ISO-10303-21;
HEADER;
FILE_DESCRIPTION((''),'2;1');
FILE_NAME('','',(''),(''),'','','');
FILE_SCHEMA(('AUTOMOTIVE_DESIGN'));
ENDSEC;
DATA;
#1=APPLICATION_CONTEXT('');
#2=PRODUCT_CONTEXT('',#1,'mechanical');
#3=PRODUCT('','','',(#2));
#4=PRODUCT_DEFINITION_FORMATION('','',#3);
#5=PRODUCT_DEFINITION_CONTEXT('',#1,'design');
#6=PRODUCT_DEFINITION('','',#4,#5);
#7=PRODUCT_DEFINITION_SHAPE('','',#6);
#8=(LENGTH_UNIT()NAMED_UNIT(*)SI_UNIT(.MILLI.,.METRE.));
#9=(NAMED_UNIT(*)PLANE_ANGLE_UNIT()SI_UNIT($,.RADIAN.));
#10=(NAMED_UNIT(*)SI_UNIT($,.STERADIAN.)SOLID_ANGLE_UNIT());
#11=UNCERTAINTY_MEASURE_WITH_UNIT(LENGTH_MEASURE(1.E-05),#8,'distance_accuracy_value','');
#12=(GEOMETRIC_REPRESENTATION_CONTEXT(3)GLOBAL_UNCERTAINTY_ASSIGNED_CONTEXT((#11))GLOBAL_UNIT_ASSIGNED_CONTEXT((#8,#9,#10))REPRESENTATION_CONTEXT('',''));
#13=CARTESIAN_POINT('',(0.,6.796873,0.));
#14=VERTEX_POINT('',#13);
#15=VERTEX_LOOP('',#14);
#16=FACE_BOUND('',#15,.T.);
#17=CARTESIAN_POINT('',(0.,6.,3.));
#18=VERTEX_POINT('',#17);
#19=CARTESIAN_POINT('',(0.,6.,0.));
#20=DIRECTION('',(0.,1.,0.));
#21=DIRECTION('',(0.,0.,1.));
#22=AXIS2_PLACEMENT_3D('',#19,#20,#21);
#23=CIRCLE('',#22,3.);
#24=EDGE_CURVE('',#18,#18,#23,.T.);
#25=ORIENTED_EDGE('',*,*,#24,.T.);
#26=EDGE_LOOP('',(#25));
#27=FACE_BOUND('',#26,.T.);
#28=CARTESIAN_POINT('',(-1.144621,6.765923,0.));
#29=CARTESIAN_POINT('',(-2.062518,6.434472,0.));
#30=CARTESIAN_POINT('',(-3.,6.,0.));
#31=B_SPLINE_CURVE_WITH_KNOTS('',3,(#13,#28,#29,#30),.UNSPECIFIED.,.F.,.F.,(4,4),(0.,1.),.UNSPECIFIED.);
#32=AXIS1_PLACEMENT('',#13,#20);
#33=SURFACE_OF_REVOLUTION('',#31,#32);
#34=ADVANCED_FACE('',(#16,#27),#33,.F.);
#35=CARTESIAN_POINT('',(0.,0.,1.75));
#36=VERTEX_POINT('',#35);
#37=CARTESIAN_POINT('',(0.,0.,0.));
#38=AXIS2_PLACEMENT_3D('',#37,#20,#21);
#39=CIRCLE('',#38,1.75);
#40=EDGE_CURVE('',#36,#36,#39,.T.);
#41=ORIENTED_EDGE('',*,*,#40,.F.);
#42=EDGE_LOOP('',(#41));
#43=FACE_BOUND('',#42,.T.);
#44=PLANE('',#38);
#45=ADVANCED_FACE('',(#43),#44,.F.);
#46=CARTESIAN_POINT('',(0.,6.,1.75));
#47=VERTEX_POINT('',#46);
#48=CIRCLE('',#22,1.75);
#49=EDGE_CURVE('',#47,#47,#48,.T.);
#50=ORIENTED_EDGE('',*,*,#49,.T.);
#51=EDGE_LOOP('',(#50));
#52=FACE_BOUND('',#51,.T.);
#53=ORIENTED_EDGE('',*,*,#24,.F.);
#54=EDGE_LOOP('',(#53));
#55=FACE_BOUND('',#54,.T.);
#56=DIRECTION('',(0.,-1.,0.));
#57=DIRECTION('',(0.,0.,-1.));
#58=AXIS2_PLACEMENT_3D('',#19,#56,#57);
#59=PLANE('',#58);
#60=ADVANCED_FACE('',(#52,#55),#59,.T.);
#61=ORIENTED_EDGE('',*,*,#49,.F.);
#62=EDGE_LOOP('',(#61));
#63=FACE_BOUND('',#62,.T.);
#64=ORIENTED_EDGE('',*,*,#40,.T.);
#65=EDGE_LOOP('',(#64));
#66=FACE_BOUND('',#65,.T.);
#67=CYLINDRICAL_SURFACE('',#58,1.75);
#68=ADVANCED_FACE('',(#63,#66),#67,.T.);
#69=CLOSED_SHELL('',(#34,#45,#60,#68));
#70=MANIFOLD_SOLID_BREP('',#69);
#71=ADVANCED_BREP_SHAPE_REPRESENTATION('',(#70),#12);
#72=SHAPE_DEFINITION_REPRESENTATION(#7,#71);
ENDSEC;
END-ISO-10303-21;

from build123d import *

# Parameters (mm, degrees)
SKETCH1_R           = 1.75
BOSS_EXTRUDE1_DEPTH = 6


with BuildPart() as part:
    # Sketch1 → Boss-Extrude1 (new body)
    with BuildSketch(Plane(origin=(0, 0, 0), x_dir=(1, 0, 0), z_dir=(0, 1, 0))):
        with Locations(Location((0, 0, 0), (0, 0, 270))):
            Circle(SKETCH1_R)
    extrude(amount=BOSS_EXTRUDE1_DEPTH)

    # Sketch2 → Revolve1 (revolve)
    with BuildSketch(Plane.XY):
        with BuildLine():
            Line((0, 6), (-3, 6))
            add(Edge.make_bspline(
                [(-3, 6), (-2.062517582, 6.434471516), (-1.144620798, 6.765922662), (0, 6.796872641)],
                knots=[0, 0, 0, 0, 1, 1, 1, 1], degree=3))
            Line((0, 6.796872641), (0, 6))
        make_face()
    revolve(axis=Axis((0, 6.796872641, 0), (0, -1, 0)))


solid = part.part
